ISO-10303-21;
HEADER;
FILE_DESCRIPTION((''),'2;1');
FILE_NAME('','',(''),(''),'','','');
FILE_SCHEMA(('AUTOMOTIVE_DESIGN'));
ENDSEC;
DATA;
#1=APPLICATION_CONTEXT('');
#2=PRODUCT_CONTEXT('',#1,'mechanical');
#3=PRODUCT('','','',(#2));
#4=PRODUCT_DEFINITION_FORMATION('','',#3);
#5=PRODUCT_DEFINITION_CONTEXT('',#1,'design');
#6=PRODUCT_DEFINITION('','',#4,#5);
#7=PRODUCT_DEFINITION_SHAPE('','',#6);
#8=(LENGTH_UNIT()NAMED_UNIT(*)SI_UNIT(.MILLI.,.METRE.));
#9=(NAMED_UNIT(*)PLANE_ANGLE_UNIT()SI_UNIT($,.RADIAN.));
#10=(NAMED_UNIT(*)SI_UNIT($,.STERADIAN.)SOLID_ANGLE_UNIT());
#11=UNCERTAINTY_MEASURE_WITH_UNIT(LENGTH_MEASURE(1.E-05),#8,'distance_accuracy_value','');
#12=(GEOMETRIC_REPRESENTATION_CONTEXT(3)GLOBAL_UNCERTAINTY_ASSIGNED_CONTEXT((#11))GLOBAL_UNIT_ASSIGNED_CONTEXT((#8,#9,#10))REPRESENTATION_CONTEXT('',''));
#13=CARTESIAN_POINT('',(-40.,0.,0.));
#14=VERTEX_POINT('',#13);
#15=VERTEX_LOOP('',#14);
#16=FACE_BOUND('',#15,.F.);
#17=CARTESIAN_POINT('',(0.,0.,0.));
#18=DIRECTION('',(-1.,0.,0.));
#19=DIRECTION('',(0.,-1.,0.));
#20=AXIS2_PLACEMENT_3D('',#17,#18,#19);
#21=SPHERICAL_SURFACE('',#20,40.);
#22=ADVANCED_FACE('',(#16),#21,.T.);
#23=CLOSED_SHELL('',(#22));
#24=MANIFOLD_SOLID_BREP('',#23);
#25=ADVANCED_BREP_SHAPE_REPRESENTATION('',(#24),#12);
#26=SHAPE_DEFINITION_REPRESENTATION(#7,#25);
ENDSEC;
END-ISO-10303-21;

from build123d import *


with BuildPart() as part:
    # Esquisse1 → Révolution1 (revolve)
    with BuildSketch(Plane.XY):
        with BuildLine():
            Line((-40, 0), (40, 0))
            ThreePointArc((40, 0), (0, -40), (-40, 0))
        make_face()
    revolve(axis=Axis((-40, 0, 0), (1, 0, 0)))


solid = part.part
